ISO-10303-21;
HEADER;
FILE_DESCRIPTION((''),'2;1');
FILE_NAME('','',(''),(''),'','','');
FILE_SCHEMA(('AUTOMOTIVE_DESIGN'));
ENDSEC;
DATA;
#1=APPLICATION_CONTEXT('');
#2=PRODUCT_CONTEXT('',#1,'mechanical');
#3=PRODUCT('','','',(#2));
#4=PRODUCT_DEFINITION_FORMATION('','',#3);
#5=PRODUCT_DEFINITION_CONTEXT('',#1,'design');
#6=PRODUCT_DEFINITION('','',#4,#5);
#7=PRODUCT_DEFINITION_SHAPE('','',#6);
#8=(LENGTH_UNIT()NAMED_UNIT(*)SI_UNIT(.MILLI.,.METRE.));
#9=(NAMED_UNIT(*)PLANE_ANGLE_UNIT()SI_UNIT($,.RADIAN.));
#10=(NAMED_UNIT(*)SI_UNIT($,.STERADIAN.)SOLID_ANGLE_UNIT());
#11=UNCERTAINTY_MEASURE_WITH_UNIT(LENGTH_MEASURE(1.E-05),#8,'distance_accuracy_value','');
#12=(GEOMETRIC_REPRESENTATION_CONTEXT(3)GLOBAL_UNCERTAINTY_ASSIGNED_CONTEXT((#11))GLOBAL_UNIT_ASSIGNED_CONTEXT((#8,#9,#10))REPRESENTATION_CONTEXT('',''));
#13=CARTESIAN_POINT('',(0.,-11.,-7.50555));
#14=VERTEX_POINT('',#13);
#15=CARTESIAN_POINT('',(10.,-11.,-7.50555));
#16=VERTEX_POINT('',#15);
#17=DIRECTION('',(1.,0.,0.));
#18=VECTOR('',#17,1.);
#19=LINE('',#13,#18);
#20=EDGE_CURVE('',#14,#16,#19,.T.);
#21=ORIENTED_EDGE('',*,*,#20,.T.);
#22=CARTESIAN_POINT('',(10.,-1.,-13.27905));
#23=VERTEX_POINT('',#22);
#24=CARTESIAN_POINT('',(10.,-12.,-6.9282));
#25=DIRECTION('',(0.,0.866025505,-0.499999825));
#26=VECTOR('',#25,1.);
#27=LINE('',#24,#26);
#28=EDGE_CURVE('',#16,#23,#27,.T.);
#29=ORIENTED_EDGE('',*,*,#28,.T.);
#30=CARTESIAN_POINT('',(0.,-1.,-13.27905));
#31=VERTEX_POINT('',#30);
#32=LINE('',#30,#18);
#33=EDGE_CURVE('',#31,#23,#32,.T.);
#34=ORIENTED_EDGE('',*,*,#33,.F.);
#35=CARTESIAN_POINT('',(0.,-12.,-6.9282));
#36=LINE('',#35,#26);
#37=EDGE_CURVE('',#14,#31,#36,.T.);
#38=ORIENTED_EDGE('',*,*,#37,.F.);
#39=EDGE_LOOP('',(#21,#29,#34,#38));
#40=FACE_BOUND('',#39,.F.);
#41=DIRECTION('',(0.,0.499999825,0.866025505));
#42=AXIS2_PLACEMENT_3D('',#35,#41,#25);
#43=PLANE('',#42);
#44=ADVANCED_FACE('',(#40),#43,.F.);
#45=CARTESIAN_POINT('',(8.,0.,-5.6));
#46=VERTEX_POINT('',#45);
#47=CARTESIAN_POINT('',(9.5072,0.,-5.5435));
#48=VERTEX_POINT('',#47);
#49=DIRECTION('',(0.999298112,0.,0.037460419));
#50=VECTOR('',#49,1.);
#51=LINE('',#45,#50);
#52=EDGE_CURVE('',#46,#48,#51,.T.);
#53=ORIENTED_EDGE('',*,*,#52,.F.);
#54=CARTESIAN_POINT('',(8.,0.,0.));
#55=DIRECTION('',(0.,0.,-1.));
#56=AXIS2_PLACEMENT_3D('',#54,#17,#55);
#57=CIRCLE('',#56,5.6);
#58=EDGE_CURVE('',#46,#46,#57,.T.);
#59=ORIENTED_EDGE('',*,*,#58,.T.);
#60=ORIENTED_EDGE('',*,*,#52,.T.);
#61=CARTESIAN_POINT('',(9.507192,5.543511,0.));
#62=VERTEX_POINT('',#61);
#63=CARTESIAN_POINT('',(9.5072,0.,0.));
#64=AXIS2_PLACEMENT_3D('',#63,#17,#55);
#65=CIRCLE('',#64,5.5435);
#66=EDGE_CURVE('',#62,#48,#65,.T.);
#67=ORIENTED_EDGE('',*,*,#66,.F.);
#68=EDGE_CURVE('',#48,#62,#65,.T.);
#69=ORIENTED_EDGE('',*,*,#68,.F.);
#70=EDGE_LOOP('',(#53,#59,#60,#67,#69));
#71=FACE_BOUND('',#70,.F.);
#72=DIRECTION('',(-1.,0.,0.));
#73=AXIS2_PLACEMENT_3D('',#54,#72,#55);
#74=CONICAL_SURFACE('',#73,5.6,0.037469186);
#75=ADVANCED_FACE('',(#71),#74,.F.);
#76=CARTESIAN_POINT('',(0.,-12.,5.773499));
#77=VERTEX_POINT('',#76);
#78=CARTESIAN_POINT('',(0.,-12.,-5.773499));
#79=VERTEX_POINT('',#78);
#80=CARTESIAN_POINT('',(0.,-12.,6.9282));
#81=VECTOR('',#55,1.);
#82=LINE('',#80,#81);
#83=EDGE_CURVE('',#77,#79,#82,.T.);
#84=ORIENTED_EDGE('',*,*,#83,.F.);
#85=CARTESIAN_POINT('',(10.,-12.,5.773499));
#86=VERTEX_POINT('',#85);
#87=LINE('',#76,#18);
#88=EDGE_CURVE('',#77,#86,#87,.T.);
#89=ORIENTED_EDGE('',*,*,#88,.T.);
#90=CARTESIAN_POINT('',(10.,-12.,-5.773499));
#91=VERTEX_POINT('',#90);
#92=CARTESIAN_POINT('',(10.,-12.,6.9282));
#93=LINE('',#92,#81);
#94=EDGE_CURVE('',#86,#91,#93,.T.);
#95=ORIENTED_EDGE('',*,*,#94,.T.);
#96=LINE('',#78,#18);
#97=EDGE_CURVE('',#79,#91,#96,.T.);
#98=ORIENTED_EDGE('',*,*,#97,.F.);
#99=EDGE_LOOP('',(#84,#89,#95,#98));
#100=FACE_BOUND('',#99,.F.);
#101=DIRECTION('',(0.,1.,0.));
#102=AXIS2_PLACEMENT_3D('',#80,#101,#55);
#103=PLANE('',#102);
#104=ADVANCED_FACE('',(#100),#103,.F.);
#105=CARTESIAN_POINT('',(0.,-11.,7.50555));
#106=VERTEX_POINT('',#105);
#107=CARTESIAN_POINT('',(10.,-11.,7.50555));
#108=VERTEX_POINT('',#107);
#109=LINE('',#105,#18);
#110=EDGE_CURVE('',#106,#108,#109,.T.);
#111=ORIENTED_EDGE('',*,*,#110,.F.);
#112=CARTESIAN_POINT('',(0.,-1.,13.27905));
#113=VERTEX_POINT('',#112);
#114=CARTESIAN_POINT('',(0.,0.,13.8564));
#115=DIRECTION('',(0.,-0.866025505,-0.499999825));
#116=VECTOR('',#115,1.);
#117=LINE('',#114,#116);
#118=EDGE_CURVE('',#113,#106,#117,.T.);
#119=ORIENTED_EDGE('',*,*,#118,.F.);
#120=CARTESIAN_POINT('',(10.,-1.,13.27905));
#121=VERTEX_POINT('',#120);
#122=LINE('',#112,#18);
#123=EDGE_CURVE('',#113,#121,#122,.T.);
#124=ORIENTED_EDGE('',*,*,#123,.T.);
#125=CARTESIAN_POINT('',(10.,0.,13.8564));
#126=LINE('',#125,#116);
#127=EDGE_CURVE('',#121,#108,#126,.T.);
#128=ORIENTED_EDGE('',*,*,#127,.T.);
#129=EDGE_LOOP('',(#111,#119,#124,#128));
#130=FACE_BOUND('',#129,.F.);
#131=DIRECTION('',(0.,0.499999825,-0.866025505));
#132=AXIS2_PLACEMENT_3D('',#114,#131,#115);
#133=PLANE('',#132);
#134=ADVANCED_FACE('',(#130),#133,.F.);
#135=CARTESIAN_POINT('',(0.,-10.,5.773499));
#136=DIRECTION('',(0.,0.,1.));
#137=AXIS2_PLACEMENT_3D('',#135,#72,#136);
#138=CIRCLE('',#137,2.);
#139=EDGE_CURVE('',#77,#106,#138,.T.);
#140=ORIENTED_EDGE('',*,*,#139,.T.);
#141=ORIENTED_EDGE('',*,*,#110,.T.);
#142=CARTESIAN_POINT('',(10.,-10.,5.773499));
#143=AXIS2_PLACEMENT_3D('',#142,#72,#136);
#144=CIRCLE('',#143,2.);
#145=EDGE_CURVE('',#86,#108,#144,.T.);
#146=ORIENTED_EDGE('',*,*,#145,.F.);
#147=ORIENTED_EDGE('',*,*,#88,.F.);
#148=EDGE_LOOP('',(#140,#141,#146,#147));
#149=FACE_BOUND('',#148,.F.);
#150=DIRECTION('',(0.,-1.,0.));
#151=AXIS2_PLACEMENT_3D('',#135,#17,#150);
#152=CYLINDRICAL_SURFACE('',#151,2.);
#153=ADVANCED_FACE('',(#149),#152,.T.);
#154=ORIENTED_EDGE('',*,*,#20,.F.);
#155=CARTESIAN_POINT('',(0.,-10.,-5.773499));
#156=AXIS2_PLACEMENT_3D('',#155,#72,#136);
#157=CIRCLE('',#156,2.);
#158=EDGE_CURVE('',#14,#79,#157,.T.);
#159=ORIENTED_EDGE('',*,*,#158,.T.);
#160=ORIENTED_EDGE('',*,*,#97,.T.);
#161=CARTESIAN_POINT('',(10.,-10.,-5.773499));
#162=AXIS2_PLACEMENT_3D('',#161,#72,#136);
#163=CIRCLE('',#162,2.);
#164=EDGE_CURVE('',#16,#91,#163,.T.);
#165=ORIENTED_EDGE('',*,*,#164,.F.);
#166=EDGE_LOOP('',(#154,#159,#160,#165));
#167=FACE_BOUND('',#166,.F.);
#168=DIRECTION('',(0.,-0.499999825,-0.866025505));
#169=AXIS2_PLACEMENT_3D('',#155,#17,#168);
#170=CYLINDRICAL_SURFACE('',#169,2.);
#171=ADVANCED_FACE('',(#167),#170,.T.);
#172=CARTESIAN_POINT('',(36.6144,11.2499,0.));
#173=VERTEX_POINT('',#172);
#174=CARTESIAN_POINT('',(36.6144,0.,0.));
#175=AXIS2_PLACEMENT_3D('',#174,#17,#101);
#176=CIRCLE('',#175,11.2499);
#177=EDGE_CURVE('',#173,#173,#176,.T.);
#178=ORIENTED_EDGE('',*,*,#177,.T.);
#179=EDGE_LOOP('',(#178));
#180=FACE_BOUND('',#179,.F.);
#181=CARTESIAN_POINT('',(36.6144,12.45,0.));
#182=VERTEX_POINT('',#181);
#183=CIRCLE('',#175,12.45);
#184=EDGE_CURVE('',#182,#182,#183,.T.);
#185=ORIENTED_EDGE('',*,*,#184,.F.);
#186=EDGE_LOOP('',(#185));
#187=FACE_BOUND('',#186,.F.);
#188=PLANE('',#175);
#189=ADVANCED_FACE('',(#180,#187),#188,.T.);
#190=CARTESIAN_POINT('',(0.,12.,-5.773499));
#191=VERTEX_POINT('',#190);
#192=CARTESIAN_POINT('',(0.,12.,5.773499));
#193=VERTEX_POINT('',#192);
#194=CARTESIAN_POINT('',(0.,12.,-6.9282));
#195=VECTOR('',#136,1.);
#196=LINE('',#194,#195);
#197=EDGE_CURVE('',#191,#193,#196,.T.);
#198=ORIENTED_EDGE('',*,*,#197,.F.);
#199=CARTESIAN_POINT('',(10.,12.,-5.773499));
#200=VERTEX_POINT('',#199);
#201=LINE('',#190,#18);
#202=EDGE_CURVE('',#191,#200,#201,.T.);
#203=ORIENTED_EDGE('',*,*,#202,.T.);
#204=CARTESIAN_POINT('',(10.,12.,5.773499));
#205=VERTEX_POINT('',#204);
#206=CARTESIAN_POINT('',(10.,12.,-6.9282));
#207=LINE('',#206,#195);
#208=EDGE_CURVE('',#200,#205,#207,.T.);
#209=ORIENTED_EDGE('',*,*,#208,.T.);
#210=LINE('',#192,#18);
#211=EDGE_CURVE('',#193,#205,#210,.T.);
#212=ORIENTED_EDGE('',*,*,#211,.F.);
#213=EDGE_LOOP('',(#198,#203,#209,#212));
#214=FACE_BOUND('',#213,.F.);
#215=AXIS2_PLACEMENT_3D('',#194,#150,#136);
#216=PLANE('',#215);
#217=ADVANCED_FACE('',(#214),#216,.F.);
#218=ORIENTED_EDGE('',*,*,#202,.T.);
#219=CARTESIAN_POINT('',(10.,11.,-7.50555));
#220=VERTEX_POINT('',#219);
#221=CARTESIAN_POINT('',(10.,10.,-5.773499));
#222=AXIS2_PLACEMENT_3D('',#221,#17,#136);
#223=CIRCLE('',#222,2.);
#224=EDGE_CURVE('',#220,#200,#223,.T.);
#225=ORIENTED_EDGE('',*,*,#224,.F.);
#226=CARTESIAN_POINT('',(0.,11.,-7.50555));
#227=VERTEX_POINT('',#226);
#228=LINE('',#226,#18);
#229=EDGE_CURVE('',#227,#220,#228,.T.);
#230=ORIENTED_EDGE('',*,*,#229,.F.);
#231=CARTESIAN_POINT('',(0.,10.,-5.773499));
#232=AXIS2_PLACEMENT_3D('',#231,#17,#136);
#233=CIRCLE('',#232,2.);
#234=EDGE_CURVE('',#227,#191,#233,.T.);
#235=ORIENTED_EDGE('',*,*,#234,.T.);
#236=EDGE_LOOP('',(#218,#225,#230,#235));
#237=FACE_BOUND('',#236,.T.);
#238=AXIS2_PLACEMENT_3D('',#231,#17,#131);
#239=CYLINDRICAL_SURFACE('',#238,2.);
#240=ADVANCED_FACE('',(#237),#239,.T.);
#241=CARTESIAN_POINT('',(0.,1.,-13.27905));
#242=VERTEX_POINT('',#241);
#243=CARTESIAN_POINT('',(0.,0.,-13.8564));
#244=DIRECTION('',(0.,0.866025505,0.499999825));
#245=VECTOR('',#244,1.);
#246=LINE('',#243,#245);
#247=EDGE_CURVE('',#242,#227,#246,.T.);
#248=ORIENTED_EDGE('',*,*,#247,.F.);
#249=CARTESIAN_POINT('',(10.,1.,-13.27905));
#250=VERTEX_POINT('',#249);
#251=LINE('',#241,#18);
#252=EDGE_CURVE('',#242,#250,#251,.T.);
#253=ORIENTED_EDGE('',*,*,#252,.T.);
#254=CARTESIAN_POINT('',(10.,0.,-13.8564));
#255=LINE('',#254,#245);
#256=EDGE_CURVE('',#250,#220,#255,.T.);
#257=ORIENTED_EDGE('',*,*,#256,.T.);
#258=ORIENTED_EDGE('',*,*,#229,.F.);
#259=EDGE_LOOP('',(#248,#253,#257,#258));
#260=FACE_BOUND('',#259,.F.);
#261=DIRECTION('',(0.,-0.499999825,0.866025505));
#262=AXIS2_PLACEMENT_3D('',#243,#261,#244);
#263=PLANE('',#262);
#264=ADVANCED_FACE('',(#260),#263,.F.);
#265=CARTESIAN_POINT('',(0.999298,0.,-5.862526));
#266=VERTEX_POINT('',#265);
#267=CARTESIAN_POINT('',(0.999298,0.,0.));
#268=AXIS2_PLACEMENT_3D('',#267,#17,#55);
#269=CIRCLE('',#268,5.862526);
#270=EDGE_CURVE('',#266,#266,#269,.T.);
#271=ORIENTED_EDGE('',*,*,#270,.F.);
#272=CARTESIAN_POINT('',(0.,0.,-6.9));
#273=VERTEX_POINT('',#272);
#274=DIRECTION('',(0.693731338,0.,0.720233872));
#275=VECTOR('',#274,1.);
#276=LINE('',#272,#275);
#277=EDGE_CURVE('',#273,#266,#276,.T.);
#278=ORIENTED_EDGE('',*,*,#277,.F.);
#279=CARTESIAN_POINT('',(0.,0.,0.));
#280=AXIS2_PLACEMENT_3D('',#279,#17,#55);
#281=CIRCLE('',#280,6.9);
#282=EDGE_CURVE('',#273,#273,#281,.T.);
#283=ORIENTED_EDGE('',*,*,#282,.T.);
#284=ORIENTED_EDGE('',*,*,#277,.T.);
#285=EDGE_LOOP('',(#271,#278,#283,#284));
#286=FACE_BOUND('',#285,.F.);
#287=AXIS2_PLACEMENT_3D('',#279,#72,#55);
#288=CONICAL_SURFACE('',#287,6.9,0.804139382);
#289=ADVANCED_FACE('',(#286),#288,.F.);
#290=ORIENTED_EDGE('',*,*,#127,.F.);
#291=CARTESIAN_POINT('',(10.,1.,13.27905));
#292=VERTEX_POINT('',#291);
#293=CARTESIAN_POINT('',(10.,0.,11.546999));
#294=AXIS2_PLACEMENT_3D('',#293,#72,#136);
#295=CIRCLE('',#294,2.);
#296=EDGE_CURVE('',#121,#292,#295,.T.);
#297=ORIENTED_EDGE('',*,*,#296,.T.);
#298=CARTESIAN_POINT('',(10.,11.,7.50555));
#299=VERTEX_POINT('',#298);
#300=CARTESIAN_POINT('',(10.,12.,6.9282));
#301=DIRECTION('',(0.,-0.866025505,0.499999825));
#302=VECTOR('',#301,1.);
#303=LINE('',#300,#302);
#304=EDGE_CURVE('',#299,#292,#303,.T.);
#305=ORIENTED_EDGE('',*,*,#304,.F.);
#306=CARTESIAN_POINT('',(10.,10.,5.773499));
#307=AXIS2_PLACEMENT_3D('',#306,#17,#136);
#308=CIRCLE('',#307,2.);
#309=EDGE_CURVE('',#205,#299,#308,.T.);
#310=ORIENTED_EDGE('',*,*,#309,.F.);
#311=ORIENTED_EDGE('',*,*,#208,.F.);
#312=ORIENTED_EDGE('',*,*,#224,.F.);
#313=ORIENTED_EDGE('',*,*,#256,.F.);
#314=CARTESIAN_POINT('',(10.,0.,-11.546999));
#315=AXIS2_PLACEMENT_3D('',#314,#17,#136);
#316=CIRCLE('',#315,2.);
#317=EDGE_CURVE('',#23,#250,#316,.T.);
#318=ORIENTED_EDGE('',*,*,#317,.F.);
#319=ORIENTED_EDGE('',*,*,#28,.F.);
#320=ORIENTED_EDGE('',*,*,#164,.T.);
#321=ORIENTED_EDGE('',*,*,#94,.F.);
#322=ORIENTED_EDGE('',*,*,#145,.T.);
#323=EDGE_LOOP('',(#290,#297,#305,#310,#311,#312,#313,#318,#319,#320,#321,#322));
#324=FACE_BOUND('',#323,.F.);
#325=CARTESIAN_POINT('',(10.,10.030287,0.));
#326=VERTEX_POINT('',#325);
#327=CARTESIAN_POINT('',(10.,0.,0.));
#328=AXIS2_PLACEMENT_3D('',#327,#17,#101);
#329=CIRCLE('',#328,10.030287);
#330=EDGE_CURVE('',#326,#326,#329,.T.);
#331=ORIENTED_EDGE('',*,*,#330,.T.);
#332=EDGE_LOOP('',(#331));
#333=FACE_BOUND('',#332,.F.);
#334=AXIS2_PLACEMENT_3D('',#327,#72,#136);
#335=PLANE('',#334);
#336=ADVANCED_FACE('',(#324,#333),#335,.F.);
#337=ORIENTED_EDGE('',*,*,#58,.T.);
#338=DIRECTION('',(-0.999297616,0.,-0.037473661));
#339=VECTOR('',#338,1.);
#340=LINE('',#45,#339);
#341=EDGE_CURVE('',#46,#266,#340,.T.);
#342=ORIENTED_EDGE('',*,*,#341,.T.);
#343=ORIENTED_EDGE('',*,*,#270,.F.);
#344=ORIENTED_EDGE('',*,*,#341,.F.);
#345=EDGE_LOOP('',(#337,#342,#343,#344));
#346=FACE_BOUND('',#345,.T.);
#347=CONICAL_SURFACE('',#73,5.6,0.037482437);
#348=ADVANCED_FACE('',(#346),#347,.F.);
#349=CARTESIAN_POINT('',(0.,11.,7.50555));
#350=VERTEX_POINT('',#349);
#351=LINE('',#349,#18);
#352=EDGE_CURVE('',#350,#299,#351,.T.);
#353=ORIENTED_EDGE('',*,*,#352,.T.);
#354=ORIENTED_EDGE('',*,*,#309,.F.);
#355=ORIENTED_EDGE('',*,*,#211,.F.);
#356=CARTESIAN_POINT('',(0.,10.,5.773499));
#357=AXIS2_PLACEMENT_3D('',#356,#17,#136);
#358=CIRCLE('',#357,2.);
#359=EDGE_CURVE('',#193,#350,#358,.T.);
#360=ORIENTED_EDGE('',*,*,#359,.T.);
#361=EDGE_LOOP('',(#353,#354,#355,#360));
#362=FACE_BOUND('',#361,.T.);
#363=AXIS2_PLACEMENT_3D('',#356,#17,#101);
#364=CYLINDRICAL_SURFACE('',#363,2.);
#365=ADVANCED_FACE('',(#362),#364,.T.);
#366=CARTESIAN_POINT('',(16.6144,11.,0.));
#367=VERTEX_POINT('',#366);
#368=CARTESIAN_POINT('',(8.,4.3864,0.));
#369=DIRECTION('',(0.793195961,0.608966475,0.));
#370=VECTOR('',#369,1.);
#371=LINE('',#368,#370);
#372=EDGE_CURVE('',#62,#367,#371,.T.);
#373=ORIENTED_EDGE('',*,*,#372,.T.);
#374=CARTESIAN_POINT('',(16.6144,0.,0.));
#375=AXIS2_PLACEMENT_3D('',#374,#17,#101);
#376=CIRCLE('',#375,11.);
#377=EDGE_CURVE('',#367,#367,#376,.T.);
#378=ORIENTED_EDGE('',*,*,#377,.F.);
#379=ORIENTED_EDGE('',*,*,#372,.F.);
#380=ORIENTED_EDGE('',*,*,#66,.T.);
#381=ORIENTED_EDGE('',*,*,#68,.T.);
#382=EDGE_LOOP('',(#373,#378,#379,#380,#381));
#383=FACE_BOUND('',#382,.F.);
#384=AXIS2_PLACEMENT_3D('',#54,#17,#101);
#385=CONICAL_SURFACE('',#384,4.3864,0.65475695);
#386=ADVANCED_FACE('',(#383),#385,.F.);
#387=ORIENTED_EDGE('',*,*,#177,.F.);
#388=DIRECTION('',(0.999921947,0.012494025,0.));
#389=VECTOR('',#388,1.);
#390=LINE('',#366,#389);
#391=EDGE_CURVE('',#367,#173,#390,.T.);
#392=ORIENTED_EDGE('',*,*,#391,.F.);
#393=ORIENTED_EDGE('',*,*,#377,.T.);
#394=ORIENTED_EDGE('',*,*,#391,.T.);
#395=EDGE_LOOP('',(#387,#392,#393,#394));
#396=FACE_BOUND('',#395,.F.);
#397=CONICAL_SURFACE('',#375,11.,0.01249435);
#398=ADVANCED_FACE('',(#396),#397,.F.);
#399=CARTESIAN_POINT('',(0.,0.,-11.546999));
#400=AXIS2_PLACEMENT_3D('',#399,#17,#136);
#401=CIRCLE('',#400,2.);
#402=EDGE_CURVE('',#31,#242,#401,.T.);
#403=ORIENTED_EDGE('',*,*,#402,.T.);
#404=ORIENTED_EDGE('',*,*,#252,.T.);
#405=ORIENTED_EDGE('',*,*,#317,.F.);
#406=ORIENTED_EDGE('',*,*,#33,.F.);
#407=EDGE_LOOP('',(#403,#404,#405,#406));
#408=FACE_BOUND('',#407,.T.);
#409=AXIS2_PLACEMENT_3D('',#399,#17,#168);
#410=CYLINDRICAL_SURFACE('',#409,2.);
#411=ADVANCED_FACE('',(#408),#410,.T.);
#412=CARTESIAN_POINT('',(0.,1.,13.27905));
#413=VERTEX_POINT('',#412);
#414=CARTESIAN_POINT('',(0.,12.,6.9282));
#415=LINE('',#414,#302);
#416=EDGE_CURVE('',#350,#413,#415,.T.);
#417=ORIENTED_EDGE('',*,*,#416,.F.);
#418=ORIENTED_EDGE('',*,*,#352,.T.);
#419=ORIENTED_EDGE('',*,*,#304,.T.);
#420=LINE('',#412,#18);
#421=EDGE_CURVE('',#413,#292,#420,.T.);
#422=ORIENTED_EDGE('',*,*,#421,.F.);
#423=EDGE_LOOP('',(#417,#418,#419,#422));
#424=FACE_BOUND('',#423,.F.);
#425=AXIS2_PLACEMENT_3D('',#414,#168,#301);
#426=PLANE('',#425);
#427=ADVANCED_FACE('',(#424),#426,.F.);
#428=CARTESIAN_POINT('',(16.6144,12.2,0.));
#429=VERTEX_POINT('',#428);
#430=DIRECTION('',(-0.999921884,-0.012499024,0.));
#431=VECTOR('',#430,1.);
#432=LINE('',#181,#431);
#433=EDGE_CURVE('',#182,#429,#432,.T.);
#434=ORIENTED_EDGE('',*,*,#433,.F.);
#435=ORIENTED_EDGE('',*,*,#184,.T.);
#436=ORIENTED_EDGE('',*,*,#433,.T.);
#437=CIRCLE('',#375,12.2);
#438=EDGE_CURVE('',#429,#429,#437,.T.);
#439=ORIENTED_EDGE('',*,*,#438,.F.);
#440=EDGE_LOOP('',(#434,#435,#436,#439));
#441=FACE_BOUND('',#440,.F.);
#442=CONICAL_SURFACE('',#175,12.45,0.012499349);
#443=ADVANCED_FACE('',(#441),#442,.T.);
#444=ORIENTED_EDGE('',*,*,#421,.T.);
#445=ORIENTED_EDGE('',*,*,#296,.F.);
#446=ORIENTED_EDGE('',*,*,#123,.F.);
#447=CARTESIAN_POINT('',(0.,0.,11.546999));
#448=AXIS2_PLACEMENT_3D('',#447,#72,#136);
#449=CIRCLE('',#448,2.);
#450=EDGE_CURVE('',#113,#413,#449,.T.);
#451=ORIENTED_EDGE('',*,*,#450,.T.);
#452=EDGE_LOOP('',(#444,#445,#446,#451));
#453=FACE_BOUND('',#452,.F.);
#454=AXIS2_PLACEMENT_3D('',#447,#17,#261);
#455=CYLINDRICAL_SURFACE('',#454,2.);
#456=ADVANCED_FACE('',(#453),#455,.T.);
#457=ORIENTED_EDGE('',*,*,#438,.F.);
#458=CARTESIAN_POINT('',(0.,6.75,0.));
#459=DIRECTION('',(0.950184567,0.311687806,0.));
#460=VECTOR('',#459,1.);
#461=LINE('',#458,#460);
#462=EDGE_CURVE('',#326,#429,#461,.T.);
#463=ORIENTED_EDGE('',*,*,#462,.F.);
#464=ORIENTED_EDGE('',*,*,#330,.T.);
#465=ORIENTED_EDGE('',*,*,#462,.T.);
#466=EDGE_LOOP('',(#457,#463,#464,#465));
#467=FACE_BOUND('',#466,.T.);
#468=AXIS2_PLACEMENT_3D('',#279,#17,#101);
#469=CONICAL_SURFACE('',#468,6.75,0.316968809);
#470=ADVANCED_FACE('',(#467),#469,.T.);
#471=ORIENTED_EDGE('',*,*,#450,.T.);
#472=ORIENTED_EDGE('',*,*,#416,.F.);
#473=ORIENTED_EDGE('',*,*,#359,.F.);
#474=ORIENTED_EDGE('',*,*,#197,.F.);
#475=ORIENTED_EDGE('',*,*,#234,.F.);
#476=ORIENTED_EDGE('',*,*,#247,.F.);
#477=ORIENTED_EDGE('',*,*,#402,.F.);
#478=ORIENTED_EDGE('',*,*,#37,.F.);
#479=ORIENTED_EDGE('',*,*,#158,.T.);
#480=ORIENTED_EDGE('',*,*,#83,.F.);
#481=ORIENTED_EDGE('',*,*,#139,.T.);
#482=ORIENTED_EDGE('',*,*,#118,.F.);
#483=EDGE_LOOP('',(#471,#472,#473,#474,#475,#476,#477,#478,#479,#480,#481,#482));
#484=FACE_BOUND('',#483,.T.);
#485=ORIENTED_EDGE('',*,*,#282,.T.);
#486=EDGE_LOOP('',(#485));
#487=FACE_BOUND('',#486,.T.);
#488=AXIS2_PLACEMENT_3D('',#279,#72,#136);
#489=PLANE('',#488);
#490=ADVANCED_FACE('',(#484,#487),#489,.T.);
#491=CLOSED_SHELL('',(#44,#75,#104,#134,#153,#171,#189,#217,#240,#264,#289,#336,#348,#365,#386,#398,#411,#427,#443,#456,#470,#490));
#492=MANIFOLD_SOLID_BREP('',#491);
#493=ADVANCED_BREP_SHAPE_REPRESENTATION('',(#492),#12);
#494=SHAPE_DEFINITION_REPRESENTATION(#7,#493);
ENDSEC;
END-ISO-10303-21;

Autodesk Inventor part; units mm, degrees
ref_plane "YZ Plane" through (0, 0, 0) normal (1, 0, 0) x (0, 1, 0)
ref_plane "XZ Plane" through (0, 0, 0) normal (0, 1, 0) x (-1, 0, 0)
ref_plane "XY Plane" through (0, 0, 0) normal (0, 0, 1) x (1, 0, 0)
sketch "Sketch1" plane through (0, 0, 0) normal (0, 0, 1) x (1, 0, 0)
  line L0 (0, 0) -> (6.6144, 0) construction
  line L1 (0, 0) -> (0, 4.75) construction
  line L2 (0, 4.75) -> (8, 4.3864)
  line L3 (6.6144, 0) -> (16.6144, 0) construction
  line L4 (16.6144, 0) -> (16.6144, 12.2) construction
  line L5 (16.6144, 0) -> (36.6144, 0) construction
  line L6 (36.6144, 0) -> (36.6144, 12.45) construction
  line L7 (36.6144, 12.45) -> (16.6144, 12.2)
  line L8 (0, 4.75) -> (0, 6.75)
  line L9 (0, 4.75) -> (2, 4.75) construction
  line L10 (0, 6.75) -> (16.6144, 12.2)
  line L11 (8, 4.3864) -> (16.6144, 11)
  line L12 (16.6144, 11) -> (36.6144, 11.2499)
  line L13 (36.6144, 11.2499) -> (36.6144, 12.45)
  line L14 (0, 0) -> (3.3, 0) construction
  line L15 (3.3, 0) -> (3.3, 4.6) construction
  dimension "d2" = 4.75
  dimension "d3" = 12.2
  dimension "d4" = 20
  dimension "d5" = 12.45
  dimension "d6" = 2
  dimension "d7" = 90
  dimension "d8" = 1.2
  dimension "d9" = 1.2
  dimension "d10" = 10
  dimension "d24" = 177.397
  dimension "d25" = 8
  dimension "d26" = 3.3
  dimension "d27" = 4.6
  dimension "d28" = 6.6144
revolve "Revolution1" add sketch "Sketch1" angle 360 about axis through (6.6144, 0, 0) along (1, 0, 0)
sketch "Sketch2" plane through (0, 0, 0) normal (-1, 0, 0) x (0, 0, 1)
  circle A0 centre (0, 0) radius 6.75 projected
  line L0 (0, -6.75) -> (0, -12.2) construction
  circle A1 centre (0, 0) radius 12.2 projected
  line L1 (1.633, -6.5495) -> (2.9514, -11.8376)
  line L2 (-1.633, -6.5495) -> (-2.9514, -11.8376)
  point P0 (-1.633, -6.5495)
  point P1 (-2.9514, -11.8376)
  dimension "d12" = 14
extrude "Extrusion1" [suppressed]
chamfer "Chamfer1" [suppressed]
pattern_circular "Circular Pattern1" [suppressed]
chamfer "Chamfer2" distance 0.7 angle 45 1 edges at (0, -4.75, 0)
sketch "Sketch3" plane through (0, 0, 0) normal (-1, 0, 0) x (0, 0, 1)
  line L0 (-6.9282, -12) -> (-13.8564, 0)
  line L1 (-13.8564, 0) -> (-6.9282, 12)
  line L2 (-6.9282, 12) -> (6.9282, 12)
  line L3 (6.9282, 12) -> (13.8564, 0)
  line L4 (13.8564, 0) -> (6.9282, -12)
  line L5 (6.9282, -12) -> (-6.9282, -12)
  circle A0 centre (0, 0) radius 6.75 projected
  point P0 (0, -12)
  dimension "d32" = 24
extrude "Extrusion2" add sketch "Sketch3" against normal blind 10
fillet "Fillet1" radius 2 6 edges at (5, 12, 6.9282) (5, 12, -6.9282) (5, 0, -13.8564) (5, -12, -6.9282) (5, -12, 6.9282) (5, 0, 13.8564)
sketch "Sketch4" plane through (0, 0, 0) normal (0, 1, 0) x (-1, 0, 0)
  line L0 (-8, 4.3864) -> (-8, -4.3864) projected
  line L1 (0, 0) -> (-8, 0)
  line L2 (-8, 0) -> (-8, -5.6) construction
  line L3 (-8, -5.6) -> (0, -5.6) construction
  line L4 (0, -5.6) -> (0, 0)
  line L5 (-8, -5.6) -> (0, -5.6) construction
  line L6 (0, -5.6) -> (0, -5.9)
  line L7 (0, -5.9) -> (-8, -5.9) construction
  line L8 (-8, -5.9) -> (-8, -5.6)
  line L9 (-8, -5.6) -> (0, -5.9)
  line L10 (-16.6144, 11) -> (-16.6144, -11) projected
  line L11 (-8, 4.3864) -> (-8, -4.3864) projected
  line L12 (-16.6144, -11) -> (-8, -4.3864) projected
  line L13 (-8, -5.6) -> (-9.5072, -5.5435)
  line L14 (-8, 0) -> (-8, -4.3864)
  line L15 (-8, -4.3864) -> (-9.5072, -5.5435)
  dimension "d33" = 5.6
  dimension "d34" = 0.3
revolve "Revolution2" cut sketch "Sketch4" angle 360 about axis through (0, 0, 0) along (1, 0, 0)
chamfer "Chamfer3" distance 1 angle 45 1 edges at (0, 0, 5.9)
equation "\"Tol\" = 0"
properties part number "PneumaticAdaptorFemale"
